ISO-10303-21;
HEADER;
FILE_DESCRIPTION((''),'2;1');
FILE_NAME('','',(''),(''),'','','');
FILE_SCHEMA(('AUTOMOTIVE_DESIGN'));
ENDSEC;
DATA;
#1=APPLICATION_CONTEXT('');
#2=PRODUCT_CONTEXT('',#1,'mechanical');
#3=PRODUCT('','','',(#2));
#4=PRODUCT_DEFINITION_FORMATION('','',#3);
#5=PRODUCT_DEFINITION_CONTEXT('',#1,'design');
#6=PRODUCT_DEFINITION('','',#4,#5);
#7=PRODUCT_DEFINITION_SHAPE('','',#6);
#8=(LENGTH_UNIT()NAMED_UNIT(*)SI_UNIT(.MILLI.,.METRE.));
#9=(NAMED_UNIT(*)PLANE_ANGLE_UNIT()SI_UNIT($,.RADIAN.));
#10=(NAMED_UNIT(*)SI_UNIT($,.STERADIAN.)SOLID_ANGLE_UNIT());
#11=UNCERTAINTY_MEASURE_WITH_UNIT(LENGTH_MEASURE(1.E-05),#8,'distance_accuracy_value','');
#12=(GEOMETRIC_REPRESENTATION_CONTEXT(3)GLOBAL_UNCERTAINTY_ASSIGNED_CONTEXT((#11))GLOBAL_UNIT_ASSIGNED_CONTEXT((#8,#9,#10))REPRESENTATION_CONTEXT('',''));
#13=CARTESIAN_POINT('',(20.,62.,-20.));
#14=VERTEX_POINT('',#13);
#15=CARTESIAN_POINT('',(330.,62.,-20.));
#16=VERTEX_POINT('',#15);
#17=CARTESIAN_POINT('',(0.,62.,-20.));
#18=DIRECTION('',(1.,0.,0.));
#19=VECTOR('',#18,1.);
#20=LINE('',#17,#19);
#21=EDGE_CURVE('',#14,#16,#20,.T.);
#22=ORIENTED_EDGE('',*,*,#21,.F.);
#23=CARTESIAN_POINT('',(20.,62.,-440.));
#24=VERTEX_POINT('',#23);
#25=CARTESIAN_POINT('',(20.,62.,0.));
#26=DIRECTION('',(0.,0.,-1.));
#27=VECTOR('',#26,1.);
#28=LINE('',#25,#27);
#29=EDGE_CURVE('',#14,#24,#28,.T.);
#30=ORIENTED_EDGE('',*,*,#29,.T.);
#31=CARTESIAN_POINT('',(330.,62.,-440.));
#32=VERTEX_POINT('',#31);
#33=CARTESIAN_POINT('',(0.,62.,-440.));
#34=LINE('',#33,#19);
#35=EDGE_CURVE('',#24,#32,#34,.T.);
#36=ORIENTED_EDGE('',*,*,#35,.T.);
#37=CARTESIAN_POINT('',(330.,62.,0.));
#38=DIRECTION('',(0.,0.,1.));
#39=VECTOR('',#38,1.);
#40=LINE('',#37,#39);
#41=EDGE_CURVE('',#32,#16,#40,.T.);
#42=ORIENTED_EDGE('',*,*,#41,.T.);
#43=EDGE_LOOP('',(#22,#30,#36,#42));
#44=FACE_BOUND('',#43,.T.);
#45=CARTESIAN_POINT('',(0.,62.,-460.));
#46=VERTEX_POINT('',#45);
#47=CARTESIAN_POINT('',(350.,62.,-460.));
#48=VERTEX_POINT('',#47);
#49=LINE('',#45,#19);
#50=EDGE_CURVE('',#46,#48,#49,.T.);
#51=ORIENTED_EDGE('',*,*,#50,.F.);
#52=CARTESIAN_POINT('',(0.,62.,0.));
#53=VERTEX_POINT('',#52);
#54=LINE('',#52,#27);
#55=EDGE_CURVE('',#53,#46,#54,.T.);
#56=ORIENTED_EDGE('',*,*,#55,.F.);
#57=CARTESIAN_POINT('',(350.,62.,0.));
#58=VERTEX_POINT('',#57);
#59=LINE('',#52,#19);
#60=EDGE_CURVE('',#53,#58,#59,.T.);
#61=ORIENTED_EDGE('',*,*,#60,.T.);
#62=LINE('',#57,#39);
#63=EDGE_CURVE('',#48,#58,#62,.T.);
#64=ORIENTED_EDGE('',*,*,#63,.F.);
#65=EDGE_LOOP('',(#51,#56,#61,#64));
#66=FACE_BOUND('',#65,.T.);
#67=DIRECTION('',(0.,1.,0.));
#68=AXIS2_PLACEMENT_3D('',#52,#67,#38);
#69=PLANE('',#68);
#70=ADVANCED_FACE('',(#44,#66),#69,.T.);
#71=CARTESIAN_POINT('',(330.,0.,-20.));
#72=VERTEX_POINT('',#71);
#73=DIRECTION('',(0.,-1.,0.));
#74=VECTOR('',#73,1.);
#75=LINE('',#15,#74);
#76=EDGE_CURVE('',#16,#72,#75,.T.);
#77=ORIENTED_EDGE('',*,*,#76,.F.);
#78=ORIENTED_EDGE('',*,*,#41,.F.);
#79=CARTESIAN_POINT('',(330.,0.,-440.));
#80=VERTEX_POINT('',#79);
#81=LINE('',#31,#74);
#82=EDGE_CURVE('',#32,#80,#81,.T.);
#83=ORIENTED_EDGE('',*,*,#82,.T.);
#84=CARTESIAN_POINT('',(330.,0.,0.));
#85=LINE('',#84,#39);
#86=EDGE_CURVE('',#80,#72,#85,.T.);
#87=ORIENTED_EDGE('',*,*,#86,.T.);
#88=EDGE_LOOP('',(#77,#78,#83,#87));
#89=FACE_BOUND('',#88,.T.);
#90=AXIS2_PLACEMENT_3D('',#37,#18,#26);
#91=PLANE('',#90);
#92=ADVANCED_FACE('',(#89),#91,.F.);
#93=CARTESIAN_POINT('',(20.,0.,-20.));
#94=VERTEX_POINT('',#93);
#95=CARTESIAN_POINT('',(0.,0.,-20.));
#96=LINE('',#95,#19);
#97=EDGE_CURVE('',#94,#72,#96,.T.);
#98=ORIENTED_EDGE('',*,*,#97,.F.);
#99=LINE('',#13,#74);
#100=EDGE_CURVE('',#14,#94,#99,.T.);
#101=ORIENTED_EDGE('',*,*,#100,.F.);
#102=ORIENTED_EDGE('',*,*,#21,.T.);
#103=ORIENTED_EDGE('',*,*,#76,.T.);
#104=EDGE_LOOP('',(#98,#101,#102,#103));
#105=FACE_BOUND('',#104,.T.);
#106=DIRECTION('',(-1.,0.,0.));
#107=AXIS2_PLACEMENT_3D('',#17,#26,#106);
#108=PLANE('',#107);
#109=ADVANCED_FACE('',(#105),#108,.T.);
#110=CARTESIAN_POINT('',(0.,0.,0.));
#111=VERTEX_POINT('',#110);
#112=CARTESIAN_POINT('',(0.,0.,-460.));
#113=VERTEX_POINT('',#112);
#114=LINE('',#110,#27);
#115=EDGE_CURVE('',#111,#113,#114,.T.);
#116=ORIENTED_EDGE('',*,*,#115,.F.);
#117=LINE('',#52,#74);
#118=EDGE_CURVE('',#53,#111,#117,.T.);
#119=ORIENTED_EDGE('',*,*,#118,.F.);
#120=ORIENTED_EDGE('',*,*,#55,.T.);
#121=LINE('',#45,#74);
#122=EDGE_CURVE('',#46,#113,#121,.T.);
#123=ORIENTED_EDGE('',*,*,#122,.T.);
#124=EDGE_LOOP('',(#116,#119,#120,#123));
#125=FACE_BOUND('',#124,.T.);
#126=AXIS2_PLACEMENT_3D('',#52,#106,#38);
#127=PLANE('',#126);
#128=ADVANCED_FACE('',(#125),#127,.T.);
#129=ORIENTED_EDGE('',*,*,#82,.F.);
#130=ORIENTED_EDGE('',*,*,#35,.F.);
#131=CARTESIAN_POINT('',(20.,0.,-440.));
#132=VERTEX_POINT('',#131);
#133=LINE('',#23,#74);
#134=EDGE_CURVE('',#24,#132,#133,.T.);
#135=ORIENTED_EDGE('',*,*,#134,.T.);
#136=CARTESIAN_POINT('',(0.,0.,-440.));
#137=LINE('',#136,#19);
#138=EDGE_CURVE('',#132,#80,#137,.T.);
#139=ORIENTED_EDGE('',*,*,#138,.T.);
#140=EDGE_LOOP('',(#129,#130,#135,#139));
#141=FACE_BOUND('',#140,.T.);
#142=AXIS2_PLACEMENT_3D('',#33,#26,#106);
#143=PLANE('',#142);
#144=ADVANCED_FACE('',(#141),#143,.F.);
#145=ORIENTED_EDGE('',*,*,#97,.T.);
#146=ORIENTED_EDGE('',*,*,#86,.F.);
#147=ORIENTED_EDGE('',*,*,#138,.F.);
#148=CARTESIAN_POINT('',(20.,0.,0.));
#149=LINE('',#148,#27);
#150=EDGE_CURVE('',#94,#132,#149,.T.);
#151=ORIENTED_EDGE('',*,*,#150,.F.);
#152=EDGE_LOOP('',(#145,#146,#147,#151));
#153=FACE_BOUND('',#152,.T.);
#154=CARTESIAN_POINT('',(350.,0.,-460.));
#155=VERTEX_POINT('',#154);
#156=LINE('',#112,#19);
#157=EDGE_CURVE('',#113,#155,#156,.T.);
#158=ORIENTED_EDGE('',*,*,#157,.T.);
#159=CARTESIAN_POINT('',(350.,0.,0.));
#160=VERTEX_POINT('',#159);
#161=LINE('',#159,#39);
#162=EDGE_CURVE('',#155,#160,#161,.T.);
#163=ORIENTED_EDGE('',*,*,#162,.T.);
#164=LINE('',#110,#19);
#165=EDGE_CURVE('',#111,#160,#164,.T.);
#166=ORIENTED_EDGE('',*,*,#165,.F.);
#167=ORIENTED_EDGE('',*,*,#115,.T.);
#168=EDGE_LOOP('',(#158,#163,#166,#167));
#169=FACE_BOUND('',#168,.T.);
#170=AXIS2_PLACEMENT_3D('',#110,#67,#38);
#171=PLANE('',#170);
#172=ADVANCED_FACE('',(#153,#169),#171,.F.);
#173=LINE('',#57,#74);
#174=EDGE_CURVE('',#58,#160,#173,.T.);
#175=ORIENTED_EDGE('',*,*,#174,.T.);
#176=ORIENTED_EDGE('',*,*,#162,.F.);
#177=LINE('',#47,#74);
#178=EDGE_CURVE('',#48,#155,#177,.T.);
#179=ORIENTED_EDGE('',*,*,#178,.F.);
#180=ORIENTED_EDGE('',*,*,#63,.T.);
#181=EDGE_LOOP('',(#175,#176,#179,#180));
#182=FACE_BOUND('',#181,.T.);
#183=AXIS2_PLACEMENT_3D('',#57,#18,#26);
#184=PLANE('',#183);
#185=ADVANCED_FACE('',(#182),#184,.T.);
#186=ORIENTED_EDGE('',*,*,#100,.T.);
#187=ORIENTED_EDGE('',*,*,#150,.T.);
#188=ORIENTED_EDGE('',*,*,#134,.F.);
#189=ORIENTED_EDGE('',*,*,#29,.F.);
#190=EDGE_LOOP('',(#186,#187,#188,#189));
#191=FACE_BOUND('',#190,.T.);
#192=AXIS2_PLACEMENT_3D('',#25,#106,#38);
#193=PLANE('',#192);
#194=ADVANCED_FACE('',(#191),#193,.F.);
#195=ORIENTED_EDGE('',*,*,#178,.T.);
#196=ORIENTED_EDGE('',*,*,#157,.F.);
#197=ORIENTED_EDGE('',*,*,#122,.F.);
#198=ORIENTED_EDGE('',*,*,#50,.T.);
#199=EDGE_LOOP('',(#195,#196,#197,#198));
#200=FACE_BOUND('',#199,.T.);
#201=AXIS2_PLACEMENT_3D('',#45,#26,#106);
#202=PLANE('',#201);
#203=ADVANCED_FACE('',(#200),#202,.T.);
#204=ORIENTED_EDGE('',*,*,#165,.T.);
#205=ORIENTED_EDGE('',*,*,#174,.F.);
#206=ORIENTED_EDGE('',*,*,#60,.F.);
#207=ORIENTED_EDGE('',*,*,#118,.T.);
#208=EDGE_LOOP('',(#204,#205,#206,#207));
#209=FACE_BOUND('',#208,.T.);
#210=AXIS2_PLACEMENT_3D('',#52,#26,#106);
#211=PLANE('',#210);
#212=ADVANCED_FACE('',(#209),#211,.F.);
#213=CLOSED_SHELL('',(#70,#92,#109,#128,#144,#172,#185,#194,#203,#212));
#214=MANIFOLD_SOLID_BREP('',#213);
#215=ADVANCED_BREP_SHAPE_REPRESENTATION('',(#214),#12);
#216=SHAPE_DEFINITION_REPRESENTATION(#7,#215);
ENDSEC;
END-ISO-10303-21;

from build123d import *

# Parameters (mm, degrees)
SKETCH1_W           = 310
SKETCH1_H           = 20
SKETCH1_W_2         = 20
SKETCH1_H_2         = 460
BOSS_EXTRUDE1_DEPTH = 62


with BuildPart() as part:
    # Sketch1 → Boss-Extrude1 (new body)
    with BuildSketch(Plane(origin=(0, 0, 0), x_dir=(1, 0, 0), z_dir=(0, 1, 0))):
        with Locations((175, 10)):
            Rectangle(SKETCH1_W, SKETCH1_H)
        with Locations((10, 230)):
            Rectangle(SKETCH1_W_2, SKETCH1_H_2)
        with Locations((175, 450)):
            Rectangle(SKETCH1_W, SKETCH1_H)
        Polygon((330, 20), (330, 0), (350, 0), (350, 460), (330, 460), (330, 440), align=None)
    extrude(amount=BOSS_EXTRUDE1_DEPTH)


solid = part.part
